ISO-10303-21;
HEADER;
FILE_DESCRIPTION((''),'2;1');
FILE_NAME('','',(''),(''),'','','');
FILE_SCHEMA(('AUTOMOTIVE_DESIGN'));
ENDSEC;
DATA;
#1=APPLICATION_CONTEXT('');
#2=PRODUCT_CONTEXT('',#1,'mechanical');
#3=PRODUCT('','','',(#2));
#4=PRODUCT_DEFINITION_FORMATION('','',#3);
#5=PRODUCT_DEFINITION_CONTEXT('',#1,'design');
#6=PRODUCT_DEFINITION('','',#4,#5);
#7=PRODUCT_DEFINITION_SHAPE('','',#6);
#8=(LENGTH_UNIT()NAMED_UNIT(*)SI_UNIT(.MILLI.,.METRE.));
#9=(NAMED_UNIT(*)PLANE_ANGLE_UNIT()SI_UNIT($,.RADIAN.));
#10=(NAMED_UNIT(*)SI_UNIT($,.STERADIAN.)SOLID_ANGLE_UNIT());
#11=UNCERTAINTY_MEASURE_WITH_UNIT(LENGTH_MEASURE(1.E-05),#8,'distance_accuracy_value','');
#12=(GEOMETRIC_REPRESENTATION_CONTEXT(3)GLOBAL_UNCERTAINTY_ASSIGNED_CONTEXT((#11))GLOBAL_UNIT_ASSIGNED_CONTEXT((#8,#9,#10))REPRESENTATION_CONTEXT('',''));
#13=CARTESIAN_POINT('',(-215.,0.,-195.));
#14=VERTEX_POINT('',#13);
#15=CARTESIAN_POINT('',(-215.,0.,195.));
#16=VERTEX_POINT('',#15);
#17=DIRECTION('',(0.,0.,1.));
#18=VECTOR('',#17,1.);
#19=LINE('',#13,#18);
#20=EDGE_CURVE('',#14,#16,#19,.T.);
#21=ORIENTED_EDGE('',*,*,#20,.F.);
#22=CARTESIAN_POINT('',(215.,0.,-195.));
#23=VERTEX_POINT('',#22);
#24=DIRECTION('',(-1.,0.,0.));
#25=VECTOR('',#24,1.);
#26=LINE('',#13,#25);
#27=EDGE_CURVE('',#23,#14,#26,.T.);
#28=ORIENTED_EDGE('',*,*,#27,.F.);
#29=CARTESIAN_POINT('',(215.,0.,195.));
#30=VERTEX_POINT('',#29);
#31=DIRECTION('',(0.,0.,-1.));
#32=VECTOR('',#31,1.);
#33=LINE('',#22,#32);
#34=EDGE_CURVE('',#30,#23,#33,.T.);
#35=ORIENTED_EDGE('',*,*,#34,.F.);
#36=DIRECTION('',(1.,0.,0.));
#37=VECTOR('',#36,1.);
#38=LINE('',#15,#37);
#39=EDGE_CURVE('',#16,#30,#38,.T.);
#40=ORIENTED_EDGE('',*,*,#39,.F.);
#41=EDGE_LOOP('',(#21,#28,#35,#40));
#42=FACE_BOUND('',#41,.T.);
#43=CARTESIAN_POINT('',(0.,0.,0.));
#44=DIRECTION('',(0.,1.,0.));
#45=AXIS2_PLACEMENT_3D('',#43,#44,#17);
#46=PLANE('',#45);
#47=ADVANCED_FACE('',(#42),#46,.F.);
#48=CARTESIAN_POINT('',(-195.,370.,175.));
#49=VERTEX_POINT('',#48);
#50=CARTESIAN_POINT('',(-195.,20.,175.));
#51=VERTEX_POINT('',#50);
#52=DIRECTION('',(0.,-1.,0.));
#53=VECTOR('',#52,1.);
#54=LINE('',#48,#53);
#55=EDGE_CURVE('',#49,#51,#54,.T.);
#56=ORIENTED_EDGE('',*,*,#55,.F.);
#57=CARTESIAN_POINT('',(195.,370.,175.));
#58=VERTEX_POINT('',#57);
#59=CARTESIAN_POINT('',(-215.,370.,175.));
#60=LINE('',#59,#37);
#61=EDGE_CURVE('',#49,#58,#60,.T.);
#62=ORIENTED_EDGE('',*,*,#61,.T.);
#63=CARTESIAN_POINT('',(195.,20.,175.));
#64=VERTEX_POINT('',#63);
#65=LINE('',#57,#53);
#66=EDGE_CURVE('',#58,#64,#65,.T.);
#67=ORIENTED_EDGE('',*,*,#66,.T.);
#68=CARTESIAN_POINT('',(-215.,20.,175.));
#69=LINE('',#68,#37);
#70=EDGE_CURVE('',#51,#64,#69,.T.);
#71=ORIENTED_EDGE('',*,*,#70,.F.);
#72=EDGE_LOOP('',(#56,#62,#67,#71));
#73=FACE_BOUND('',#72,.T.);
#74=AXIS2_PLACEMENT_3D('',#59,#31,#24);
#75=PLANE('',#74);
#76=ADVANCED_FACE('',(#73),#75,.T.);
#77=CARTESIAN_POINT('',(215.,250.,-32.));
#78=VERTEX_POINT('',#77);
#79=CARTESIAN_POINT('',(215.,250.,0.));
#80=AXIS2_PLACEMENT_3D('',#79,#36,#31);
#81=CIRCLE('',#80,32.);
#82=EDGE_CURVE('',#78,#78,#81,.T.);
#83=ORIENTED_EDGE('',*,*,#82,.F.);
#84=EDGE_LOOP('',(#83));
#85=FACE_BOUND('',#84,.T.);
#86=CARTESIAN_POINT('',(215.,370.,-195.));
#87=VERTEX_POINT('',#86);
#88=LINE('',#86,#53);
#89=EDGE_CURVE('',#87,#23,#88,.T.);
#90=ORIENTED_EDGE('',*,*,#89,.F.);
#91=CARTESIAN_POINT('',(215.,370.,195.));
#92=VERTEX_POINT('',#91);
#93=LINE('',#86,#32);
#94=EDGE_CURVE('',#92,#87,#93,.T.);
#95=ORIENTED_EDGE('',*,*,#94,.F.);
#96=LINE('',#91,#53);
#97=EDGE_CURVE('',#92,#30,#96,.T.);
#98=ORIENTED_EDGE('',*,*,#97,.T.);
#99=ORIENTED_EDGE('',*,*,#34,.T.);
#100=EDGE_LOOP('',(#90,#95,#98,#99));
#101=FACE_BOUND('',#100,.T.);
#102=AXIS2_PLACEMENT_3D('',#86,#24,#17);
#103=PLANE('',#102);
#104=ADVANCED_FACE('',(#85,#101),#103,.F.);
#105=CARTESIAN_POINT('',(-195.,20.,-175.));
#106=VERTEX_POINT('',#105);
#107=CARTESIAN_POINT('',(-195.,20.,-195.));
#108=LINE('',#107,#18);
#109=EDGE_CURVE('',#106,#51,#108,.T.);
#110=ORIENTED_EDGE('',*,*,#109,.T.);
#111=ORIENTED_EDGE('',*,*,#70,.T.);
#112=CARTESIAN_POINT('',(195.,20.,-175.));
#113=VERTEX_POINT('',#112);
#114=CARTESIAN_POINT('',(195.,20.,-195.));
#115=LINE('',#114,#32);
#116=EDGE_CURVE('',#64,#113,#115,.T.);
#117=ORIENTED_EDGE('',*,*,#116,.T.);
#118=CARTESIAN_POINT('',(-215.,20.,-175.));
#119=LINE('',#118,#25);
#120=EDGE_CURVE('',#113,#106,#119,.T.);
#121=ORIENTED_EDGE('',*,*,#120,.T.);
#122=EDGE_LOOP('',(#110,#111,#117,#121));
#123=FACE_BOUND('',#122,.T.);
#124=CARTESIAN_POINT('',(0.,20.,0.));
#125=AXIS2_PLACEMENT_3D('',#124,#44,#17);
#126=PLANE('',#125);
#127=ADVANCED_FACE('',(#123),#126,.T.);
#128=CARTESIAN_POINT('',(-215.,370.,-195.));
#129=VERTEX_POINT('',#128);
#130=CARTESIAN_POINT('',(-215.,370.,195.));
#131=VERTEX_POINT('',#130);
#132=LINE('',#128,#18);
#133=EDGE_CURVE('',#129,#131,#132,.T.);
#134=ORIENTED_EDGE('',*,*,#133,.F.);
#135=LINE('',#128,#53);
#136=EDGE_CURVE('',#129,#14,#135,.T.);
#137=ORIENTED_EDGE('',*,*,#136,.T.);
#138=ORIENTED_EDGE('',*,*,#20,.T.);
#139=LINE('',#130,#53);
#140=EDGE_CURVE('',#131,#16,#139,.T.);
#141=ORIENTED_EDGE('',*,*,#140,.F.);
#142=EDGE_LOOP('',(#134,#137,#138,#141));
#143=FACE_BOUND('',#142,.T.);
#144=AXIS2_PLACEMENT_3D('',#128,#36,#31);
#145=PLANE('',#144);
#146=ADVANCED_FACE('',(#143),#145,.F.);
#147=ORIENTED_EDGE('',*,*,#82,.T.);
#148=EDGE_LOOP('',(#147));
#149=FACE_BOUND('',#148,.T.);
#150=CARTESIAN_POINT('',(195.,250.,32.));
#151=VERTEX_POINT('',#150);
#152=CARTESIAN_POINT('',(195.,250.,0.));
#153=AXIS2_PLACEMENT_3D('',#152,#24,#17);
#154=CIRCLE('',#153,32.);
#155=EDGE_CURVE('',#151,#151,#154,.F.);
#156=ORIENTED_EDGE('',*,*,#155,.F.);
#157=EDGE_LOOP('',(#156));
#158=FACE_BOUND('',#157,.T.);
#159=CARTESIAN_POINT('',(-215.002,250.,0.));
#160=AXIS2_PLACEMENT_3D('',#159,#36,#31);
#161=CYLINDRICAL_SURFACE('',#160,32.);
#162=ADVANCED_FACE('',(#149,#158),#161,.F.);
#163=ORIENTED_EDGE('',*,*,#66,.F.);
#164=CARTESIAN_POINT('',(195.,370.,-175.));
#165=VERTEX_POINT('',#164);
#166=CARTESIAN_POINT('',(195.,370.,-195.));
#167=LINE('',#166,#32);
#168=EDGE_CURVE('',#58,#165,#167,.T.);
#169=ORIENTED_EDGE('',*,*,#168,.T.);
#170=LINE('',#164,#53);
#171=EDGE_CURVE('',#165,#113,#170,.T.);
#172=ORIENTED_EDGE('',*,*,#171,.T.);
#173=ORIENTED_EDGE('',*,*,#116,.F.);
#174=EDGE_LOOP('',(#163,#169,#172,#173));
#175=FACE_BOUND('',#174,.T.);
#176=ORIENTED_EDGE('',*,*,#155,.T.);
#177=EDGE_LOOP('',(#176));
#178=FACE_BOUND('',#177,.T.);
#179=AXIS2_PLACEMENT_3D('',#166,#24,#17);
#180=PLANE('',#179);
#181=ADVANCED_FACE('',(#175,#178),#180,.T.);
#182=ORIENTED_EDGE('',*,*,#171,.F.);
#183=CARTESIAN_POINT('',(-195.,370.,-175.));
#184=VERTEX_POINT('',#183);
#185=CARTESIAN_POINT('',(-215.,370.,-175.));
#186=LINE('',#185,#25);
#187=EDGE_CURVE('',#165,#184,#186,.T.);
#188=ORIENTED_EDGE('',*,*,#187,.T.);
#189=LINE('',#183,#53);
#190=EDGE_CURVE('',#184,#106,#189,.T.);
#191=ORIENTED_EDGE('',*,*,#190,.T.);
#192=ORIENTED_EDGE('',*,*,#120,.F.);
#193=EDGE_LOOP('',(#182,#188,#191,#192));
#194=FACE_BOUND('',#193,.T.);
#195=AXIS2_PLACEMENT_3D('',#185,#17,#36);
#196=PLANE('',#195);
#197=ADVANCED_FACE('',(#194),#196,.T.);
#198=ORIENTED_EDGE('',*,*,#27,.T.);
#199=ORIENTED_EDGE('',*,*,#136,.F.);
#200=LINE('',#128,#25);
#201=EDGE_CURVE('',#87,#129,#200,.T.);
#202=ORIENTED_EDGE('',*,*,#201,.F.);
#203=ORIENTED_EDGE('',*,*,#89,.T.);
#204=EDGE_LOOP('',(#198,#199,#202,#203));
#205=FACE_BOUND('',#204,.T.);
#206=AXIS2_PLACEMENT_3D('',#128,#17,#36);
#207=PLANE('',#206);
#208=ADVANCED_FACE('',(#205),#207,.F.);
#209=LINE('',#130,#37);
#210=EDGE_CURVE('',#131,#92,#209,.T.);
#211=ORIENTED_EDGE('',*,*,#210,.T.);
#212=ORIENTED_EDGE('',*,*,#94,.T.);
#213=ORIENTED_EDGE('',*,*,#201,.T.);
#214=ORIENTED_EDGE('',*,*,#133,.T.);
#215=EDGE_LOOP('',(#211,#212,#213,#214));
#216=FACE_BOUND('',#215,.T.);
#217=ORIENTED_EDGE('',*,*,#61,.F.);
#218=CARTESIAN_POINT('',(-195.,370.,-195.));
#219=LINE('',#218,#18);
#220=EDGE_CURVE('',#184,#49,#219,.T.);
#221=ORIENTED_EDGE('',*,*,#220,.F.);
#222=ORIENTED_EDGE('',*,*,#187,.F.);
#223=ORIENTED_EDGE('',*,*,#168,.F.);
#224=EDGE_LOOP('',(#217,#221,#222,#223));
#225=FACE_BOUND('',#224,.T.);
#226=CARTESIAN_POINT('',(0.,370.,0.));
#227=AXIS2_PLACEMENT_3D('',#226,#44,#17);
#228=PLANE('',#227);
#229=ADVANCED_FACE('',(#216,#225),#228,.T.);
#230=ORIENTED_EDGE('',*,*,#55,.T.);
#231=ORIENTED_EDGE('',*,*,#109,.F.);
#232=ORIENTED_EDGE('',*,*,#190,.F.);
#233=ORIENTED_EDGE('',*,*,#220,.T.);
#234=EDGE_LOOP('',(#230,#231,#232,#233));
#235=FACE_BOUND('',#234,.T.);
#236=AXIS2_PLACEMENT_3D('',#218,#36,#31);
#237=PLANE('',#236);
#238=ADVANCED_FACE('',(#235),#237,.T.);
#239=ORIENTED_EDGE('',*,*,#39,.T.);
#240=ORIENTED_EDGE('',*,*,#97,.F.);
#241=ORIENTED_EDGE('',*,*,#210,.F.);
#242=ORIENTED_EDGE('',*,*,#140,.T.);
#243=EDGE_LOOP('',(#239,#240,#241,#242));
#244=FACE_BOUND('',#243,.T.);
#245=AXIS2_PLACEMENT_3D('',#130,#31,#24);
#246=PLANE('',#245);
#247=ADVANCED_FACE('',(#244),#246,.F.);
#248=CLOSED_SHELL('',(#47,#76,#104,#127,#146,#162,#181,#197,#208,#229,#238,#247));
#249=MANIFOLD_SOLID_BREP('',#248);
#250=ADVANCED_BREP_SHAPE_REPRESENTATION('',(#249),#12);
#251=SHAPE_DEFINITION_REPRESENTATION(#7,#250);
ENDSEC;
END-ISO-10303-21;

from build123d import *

# Parameters (mm, degrees)
SKETCH1_W           = 430
SKETCH1_H           = 390
BOSS_EXTRUDE1_DEPTH = 370
SHELL1_T            = -20
CUT_EXTRUDE2_REACH  = 601.854
SKETCH2_R           = 32


with BuildPart() as part:
    # Sketch1 → Boss-Extrude1 (new body)
    with BuildSketch(Plane(origin=(0, 0, 0), x_dir=(1, 0, 0), z_dir=(0, 1, 0))):
        Rectangle(SKETCH1_W, SKETCH1_H)
    extrude(amount=BOSS_EXTRUDE1_DEPTH)

    # Shell1
    shell1_openings = [part.faces().sort_by_distance(p)[0] for p in [
        (0, 370, 0),
    ]]
    offset(amount=SHELL1_T, openings=shell1_openings, kind=Kind.INTERSECTION)

    # Sketch2 → Cut-Extrude2 (cut, up to next)
    with BuildSketch(Plane(origin=(215, 0, 0), x_dir=(0, 0, -1), z_dir=(1, 0, 0)), mode=Mode.PRIVATE) as cut_extrude2_sk1:
        with Locations((0, 250)):
            Circle(SKETCH2_R)
    cut_extrude2_tool1 = extrude(cut_extrude2_sk1.sketch, amount=-CUT_EXTRUDE2_REACH, mode=Mode.PRIVATE) & part.part
    add(cut_extrude2_tool1.solids().sort_by_distance((215, 250, 0))[0], mode=Mode.SUBTRACT)


solid = part.part
